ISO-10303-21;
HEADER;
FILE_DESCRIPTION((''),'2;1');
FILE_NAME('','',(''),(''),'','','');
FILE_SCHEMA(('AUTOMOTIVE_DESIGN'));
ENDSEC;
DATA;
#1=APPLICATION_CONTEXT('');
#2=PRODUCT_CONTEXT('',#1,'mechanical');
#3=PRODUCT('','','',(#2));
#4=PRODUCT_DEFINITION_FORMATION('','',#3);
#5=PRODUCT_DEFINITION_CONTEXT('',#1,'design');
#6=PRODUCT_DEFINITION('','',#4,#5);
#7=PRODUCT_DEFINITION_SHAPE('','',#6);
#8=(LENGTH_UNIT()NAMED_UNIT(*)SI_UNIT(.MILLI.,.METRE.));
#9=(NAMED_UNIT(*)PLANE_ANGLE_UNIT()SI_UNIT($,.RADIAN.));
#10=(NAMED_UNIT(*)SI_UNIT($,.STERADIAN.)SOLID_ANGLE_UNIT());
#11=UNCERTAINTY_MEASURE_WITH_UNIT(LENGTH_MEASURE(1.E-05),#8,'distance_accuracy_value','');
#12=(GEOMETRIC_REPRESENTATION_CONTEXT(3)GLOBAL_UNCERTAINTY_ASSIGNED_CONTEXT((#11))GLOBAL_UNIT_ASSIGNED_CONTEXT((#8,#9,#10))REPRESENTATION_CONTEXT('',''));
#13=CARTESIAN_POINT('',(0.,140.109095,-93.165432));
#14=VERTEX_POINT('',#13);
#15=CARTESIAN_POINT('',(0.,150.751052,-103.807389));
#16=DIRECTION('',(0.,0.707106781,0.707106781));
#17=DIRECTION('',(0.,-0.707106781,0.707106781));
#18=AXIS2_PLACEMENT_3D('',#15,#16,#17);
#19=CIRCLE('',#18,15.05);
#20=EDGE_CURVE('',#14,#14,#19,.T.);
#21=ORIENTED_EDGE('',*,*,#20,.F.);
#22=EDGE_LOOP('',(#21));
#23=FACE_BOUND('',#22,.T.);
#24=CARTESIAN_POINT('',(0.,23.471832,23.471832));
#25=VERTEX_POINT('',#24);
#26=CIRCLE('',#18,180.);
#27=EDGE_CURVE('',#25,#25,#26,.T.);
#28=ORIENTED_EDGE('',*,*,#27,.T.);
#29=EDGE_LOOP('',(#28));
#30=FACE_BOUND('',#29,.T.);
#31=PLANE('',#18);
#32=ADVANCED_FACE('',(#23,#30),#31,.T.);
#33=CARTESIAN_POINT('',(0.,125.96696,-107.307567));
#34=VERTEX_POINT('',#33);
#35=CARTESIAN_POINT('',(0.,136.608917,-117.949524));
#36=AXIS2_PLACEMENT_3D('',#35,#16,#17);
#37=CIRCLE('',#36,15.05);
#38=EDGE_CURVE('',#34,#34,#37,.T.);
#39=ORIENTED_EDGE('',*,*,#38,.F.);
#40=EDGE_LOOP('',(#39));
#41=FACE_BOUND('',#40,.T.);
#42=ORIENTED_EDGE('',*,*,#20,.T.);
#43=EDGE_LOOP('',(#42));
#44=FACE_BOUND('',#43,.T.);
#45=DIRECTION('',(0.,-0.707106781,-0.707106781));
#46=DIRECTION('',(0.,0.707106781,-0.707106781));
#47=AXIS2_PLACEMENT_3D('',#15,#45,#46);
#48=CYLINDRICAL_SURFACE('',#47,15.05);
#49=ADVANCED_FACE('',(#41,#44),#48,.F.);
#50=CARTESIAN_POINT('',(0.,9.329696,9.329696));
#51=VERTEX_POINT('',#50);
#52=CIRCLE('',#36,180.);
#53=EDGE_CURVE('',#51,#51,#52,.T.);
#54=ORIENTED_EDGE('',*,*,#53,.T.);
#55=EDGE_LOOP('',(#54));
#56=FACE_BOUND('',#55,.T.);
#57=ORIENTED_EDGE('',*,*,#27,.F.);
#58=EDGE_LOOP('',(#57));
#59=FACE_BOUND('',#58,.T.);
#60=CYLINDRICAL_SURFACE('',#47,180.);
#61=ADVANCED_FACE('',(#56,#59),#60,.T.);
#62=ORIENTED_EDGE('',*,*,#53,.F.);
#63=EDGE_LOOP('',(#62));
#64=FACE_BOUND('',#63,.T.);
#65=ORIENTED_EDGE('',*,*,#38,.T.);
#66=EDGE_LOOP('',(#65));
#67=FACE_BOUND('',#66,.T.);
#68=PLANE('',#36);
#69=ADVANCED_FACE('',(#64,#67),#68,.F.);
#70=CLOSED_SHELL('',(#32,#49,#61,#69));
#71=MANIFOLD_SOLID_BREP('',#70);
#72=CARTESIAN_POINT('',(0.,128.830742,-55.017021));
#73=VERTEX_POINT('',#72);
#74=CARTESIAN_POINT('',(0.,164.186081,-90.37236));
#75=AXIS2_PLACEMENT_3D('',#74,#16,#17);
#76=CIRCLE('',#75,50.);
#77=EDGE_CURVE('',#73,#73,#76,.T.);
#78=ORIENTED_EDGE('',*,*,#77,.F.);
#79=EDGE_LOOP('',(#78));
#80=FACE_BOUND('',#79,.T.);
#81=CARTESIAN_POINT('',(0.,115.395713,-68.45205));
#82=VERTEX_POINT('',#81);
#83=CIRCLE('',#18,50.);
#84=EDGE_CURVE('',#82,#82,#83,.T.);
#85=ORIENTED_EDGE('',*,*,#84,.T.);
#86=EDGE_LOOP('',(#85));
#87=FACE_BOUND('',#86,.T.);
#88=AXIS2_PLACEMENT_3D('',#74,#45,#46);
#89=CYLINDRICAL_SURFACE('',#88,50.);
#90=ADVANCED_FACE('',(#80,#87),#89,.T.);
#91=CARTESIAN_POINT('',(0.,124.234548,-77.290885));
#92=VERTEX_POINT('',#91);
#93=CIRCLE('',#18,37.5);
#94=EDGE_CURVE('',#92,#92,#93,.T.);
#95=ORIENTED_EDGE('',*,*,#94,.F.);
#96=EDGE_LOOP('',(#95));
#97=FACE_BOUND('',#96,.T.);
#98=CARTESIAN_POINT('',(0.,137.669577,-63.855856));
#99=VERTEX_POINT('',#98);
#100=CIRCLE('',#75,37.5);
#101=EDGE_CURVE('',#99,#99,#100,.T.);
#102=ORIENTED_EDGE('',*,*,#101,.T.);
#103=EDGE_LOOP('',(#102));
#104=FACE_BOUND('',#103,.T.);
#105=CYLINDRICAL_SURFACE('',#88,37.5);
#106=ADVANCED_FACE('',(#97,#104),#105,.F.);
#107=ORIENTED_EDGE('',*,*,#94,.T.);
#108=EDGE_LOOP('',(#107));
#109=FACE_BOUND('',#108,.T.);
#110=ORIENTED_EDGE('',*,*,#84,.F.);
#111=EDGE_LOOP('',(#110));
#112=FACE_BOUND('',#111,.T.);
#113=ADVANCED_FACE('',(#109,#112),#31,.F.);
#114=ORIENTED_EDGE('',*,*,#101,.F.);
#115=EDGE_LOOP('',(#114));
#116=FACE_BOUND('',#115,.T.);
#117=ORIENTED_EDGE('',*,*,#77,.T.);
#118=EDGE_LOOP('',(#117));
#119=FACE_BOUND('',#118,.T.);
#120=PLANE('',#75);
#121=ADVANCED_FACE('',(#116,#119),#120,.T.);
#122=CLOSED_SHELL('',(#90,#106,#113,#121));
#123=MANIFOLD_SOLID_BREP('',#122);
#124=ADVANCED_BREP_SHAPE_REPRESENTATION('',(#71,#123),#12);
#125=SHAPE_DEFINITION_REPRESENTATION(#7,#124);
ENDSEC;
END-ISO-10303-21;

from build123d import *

# Parameters (mm, degrees)
SKIZZE2_R                       = 180
SKIZZE2_R_2                     = 15.05
AUFSATZ_LINEAR_AUSTRAGEN1_DEPTH = 20
SKIZZE5_R                       = 50
SKIZZE5_R_2                     = 37.5
AUFSATZ_LINEAR_AUSTRAGEN3_DEPTH = 19


with BuildPart() as part:
    # Skizze2 → Aufsatz-Linear austragen1 (new body)
    with BuildSketch(Plane(origin=(0, 9.32969619, 9.32969619), x_dir=(1, 0, 0), z_dir=(0, 0.7071067811865464, 0.7071067811865488))):
        with Locations(Location((0, 180, 0), (0, 0, 270))):
            Circle(SKIZZE2_R)
        with Locations(Location((0, 180, 0), (0, 0, 270))):
            Circle(SKIZZE2_R_2, mode=Mode.SUBTRACT)
    extrude(amount=AUFSATZ_LINEAR_AUSTRAGEN1_DEPTH)


with BuildPart() as body_2:
    # Skizze5 → Aufsatz-Linear austragen3 (new body)
    with BuildSketch(Plane(origin=(0, 23.471831814, 23.471831814), x_dir=(1, 0, 0), z_dir=(0, 0.7071067811865465, 0.7071067811865487))):
        with Locations(Location((0, 180, 0), (0, 0, 270))):
            Circle(SKIZZE5_R)
        with Locations(Location((0, 180, 0), (0, 0, 270))):
            Circle(SKIZZE5_R_2, mode=Mode.SUBTRACT)
    extrude(amount=AUFSATZ_LINEAR_AUSTRAGEN3_DEPTH)


solid = Compound([part.part, body_2.part])
